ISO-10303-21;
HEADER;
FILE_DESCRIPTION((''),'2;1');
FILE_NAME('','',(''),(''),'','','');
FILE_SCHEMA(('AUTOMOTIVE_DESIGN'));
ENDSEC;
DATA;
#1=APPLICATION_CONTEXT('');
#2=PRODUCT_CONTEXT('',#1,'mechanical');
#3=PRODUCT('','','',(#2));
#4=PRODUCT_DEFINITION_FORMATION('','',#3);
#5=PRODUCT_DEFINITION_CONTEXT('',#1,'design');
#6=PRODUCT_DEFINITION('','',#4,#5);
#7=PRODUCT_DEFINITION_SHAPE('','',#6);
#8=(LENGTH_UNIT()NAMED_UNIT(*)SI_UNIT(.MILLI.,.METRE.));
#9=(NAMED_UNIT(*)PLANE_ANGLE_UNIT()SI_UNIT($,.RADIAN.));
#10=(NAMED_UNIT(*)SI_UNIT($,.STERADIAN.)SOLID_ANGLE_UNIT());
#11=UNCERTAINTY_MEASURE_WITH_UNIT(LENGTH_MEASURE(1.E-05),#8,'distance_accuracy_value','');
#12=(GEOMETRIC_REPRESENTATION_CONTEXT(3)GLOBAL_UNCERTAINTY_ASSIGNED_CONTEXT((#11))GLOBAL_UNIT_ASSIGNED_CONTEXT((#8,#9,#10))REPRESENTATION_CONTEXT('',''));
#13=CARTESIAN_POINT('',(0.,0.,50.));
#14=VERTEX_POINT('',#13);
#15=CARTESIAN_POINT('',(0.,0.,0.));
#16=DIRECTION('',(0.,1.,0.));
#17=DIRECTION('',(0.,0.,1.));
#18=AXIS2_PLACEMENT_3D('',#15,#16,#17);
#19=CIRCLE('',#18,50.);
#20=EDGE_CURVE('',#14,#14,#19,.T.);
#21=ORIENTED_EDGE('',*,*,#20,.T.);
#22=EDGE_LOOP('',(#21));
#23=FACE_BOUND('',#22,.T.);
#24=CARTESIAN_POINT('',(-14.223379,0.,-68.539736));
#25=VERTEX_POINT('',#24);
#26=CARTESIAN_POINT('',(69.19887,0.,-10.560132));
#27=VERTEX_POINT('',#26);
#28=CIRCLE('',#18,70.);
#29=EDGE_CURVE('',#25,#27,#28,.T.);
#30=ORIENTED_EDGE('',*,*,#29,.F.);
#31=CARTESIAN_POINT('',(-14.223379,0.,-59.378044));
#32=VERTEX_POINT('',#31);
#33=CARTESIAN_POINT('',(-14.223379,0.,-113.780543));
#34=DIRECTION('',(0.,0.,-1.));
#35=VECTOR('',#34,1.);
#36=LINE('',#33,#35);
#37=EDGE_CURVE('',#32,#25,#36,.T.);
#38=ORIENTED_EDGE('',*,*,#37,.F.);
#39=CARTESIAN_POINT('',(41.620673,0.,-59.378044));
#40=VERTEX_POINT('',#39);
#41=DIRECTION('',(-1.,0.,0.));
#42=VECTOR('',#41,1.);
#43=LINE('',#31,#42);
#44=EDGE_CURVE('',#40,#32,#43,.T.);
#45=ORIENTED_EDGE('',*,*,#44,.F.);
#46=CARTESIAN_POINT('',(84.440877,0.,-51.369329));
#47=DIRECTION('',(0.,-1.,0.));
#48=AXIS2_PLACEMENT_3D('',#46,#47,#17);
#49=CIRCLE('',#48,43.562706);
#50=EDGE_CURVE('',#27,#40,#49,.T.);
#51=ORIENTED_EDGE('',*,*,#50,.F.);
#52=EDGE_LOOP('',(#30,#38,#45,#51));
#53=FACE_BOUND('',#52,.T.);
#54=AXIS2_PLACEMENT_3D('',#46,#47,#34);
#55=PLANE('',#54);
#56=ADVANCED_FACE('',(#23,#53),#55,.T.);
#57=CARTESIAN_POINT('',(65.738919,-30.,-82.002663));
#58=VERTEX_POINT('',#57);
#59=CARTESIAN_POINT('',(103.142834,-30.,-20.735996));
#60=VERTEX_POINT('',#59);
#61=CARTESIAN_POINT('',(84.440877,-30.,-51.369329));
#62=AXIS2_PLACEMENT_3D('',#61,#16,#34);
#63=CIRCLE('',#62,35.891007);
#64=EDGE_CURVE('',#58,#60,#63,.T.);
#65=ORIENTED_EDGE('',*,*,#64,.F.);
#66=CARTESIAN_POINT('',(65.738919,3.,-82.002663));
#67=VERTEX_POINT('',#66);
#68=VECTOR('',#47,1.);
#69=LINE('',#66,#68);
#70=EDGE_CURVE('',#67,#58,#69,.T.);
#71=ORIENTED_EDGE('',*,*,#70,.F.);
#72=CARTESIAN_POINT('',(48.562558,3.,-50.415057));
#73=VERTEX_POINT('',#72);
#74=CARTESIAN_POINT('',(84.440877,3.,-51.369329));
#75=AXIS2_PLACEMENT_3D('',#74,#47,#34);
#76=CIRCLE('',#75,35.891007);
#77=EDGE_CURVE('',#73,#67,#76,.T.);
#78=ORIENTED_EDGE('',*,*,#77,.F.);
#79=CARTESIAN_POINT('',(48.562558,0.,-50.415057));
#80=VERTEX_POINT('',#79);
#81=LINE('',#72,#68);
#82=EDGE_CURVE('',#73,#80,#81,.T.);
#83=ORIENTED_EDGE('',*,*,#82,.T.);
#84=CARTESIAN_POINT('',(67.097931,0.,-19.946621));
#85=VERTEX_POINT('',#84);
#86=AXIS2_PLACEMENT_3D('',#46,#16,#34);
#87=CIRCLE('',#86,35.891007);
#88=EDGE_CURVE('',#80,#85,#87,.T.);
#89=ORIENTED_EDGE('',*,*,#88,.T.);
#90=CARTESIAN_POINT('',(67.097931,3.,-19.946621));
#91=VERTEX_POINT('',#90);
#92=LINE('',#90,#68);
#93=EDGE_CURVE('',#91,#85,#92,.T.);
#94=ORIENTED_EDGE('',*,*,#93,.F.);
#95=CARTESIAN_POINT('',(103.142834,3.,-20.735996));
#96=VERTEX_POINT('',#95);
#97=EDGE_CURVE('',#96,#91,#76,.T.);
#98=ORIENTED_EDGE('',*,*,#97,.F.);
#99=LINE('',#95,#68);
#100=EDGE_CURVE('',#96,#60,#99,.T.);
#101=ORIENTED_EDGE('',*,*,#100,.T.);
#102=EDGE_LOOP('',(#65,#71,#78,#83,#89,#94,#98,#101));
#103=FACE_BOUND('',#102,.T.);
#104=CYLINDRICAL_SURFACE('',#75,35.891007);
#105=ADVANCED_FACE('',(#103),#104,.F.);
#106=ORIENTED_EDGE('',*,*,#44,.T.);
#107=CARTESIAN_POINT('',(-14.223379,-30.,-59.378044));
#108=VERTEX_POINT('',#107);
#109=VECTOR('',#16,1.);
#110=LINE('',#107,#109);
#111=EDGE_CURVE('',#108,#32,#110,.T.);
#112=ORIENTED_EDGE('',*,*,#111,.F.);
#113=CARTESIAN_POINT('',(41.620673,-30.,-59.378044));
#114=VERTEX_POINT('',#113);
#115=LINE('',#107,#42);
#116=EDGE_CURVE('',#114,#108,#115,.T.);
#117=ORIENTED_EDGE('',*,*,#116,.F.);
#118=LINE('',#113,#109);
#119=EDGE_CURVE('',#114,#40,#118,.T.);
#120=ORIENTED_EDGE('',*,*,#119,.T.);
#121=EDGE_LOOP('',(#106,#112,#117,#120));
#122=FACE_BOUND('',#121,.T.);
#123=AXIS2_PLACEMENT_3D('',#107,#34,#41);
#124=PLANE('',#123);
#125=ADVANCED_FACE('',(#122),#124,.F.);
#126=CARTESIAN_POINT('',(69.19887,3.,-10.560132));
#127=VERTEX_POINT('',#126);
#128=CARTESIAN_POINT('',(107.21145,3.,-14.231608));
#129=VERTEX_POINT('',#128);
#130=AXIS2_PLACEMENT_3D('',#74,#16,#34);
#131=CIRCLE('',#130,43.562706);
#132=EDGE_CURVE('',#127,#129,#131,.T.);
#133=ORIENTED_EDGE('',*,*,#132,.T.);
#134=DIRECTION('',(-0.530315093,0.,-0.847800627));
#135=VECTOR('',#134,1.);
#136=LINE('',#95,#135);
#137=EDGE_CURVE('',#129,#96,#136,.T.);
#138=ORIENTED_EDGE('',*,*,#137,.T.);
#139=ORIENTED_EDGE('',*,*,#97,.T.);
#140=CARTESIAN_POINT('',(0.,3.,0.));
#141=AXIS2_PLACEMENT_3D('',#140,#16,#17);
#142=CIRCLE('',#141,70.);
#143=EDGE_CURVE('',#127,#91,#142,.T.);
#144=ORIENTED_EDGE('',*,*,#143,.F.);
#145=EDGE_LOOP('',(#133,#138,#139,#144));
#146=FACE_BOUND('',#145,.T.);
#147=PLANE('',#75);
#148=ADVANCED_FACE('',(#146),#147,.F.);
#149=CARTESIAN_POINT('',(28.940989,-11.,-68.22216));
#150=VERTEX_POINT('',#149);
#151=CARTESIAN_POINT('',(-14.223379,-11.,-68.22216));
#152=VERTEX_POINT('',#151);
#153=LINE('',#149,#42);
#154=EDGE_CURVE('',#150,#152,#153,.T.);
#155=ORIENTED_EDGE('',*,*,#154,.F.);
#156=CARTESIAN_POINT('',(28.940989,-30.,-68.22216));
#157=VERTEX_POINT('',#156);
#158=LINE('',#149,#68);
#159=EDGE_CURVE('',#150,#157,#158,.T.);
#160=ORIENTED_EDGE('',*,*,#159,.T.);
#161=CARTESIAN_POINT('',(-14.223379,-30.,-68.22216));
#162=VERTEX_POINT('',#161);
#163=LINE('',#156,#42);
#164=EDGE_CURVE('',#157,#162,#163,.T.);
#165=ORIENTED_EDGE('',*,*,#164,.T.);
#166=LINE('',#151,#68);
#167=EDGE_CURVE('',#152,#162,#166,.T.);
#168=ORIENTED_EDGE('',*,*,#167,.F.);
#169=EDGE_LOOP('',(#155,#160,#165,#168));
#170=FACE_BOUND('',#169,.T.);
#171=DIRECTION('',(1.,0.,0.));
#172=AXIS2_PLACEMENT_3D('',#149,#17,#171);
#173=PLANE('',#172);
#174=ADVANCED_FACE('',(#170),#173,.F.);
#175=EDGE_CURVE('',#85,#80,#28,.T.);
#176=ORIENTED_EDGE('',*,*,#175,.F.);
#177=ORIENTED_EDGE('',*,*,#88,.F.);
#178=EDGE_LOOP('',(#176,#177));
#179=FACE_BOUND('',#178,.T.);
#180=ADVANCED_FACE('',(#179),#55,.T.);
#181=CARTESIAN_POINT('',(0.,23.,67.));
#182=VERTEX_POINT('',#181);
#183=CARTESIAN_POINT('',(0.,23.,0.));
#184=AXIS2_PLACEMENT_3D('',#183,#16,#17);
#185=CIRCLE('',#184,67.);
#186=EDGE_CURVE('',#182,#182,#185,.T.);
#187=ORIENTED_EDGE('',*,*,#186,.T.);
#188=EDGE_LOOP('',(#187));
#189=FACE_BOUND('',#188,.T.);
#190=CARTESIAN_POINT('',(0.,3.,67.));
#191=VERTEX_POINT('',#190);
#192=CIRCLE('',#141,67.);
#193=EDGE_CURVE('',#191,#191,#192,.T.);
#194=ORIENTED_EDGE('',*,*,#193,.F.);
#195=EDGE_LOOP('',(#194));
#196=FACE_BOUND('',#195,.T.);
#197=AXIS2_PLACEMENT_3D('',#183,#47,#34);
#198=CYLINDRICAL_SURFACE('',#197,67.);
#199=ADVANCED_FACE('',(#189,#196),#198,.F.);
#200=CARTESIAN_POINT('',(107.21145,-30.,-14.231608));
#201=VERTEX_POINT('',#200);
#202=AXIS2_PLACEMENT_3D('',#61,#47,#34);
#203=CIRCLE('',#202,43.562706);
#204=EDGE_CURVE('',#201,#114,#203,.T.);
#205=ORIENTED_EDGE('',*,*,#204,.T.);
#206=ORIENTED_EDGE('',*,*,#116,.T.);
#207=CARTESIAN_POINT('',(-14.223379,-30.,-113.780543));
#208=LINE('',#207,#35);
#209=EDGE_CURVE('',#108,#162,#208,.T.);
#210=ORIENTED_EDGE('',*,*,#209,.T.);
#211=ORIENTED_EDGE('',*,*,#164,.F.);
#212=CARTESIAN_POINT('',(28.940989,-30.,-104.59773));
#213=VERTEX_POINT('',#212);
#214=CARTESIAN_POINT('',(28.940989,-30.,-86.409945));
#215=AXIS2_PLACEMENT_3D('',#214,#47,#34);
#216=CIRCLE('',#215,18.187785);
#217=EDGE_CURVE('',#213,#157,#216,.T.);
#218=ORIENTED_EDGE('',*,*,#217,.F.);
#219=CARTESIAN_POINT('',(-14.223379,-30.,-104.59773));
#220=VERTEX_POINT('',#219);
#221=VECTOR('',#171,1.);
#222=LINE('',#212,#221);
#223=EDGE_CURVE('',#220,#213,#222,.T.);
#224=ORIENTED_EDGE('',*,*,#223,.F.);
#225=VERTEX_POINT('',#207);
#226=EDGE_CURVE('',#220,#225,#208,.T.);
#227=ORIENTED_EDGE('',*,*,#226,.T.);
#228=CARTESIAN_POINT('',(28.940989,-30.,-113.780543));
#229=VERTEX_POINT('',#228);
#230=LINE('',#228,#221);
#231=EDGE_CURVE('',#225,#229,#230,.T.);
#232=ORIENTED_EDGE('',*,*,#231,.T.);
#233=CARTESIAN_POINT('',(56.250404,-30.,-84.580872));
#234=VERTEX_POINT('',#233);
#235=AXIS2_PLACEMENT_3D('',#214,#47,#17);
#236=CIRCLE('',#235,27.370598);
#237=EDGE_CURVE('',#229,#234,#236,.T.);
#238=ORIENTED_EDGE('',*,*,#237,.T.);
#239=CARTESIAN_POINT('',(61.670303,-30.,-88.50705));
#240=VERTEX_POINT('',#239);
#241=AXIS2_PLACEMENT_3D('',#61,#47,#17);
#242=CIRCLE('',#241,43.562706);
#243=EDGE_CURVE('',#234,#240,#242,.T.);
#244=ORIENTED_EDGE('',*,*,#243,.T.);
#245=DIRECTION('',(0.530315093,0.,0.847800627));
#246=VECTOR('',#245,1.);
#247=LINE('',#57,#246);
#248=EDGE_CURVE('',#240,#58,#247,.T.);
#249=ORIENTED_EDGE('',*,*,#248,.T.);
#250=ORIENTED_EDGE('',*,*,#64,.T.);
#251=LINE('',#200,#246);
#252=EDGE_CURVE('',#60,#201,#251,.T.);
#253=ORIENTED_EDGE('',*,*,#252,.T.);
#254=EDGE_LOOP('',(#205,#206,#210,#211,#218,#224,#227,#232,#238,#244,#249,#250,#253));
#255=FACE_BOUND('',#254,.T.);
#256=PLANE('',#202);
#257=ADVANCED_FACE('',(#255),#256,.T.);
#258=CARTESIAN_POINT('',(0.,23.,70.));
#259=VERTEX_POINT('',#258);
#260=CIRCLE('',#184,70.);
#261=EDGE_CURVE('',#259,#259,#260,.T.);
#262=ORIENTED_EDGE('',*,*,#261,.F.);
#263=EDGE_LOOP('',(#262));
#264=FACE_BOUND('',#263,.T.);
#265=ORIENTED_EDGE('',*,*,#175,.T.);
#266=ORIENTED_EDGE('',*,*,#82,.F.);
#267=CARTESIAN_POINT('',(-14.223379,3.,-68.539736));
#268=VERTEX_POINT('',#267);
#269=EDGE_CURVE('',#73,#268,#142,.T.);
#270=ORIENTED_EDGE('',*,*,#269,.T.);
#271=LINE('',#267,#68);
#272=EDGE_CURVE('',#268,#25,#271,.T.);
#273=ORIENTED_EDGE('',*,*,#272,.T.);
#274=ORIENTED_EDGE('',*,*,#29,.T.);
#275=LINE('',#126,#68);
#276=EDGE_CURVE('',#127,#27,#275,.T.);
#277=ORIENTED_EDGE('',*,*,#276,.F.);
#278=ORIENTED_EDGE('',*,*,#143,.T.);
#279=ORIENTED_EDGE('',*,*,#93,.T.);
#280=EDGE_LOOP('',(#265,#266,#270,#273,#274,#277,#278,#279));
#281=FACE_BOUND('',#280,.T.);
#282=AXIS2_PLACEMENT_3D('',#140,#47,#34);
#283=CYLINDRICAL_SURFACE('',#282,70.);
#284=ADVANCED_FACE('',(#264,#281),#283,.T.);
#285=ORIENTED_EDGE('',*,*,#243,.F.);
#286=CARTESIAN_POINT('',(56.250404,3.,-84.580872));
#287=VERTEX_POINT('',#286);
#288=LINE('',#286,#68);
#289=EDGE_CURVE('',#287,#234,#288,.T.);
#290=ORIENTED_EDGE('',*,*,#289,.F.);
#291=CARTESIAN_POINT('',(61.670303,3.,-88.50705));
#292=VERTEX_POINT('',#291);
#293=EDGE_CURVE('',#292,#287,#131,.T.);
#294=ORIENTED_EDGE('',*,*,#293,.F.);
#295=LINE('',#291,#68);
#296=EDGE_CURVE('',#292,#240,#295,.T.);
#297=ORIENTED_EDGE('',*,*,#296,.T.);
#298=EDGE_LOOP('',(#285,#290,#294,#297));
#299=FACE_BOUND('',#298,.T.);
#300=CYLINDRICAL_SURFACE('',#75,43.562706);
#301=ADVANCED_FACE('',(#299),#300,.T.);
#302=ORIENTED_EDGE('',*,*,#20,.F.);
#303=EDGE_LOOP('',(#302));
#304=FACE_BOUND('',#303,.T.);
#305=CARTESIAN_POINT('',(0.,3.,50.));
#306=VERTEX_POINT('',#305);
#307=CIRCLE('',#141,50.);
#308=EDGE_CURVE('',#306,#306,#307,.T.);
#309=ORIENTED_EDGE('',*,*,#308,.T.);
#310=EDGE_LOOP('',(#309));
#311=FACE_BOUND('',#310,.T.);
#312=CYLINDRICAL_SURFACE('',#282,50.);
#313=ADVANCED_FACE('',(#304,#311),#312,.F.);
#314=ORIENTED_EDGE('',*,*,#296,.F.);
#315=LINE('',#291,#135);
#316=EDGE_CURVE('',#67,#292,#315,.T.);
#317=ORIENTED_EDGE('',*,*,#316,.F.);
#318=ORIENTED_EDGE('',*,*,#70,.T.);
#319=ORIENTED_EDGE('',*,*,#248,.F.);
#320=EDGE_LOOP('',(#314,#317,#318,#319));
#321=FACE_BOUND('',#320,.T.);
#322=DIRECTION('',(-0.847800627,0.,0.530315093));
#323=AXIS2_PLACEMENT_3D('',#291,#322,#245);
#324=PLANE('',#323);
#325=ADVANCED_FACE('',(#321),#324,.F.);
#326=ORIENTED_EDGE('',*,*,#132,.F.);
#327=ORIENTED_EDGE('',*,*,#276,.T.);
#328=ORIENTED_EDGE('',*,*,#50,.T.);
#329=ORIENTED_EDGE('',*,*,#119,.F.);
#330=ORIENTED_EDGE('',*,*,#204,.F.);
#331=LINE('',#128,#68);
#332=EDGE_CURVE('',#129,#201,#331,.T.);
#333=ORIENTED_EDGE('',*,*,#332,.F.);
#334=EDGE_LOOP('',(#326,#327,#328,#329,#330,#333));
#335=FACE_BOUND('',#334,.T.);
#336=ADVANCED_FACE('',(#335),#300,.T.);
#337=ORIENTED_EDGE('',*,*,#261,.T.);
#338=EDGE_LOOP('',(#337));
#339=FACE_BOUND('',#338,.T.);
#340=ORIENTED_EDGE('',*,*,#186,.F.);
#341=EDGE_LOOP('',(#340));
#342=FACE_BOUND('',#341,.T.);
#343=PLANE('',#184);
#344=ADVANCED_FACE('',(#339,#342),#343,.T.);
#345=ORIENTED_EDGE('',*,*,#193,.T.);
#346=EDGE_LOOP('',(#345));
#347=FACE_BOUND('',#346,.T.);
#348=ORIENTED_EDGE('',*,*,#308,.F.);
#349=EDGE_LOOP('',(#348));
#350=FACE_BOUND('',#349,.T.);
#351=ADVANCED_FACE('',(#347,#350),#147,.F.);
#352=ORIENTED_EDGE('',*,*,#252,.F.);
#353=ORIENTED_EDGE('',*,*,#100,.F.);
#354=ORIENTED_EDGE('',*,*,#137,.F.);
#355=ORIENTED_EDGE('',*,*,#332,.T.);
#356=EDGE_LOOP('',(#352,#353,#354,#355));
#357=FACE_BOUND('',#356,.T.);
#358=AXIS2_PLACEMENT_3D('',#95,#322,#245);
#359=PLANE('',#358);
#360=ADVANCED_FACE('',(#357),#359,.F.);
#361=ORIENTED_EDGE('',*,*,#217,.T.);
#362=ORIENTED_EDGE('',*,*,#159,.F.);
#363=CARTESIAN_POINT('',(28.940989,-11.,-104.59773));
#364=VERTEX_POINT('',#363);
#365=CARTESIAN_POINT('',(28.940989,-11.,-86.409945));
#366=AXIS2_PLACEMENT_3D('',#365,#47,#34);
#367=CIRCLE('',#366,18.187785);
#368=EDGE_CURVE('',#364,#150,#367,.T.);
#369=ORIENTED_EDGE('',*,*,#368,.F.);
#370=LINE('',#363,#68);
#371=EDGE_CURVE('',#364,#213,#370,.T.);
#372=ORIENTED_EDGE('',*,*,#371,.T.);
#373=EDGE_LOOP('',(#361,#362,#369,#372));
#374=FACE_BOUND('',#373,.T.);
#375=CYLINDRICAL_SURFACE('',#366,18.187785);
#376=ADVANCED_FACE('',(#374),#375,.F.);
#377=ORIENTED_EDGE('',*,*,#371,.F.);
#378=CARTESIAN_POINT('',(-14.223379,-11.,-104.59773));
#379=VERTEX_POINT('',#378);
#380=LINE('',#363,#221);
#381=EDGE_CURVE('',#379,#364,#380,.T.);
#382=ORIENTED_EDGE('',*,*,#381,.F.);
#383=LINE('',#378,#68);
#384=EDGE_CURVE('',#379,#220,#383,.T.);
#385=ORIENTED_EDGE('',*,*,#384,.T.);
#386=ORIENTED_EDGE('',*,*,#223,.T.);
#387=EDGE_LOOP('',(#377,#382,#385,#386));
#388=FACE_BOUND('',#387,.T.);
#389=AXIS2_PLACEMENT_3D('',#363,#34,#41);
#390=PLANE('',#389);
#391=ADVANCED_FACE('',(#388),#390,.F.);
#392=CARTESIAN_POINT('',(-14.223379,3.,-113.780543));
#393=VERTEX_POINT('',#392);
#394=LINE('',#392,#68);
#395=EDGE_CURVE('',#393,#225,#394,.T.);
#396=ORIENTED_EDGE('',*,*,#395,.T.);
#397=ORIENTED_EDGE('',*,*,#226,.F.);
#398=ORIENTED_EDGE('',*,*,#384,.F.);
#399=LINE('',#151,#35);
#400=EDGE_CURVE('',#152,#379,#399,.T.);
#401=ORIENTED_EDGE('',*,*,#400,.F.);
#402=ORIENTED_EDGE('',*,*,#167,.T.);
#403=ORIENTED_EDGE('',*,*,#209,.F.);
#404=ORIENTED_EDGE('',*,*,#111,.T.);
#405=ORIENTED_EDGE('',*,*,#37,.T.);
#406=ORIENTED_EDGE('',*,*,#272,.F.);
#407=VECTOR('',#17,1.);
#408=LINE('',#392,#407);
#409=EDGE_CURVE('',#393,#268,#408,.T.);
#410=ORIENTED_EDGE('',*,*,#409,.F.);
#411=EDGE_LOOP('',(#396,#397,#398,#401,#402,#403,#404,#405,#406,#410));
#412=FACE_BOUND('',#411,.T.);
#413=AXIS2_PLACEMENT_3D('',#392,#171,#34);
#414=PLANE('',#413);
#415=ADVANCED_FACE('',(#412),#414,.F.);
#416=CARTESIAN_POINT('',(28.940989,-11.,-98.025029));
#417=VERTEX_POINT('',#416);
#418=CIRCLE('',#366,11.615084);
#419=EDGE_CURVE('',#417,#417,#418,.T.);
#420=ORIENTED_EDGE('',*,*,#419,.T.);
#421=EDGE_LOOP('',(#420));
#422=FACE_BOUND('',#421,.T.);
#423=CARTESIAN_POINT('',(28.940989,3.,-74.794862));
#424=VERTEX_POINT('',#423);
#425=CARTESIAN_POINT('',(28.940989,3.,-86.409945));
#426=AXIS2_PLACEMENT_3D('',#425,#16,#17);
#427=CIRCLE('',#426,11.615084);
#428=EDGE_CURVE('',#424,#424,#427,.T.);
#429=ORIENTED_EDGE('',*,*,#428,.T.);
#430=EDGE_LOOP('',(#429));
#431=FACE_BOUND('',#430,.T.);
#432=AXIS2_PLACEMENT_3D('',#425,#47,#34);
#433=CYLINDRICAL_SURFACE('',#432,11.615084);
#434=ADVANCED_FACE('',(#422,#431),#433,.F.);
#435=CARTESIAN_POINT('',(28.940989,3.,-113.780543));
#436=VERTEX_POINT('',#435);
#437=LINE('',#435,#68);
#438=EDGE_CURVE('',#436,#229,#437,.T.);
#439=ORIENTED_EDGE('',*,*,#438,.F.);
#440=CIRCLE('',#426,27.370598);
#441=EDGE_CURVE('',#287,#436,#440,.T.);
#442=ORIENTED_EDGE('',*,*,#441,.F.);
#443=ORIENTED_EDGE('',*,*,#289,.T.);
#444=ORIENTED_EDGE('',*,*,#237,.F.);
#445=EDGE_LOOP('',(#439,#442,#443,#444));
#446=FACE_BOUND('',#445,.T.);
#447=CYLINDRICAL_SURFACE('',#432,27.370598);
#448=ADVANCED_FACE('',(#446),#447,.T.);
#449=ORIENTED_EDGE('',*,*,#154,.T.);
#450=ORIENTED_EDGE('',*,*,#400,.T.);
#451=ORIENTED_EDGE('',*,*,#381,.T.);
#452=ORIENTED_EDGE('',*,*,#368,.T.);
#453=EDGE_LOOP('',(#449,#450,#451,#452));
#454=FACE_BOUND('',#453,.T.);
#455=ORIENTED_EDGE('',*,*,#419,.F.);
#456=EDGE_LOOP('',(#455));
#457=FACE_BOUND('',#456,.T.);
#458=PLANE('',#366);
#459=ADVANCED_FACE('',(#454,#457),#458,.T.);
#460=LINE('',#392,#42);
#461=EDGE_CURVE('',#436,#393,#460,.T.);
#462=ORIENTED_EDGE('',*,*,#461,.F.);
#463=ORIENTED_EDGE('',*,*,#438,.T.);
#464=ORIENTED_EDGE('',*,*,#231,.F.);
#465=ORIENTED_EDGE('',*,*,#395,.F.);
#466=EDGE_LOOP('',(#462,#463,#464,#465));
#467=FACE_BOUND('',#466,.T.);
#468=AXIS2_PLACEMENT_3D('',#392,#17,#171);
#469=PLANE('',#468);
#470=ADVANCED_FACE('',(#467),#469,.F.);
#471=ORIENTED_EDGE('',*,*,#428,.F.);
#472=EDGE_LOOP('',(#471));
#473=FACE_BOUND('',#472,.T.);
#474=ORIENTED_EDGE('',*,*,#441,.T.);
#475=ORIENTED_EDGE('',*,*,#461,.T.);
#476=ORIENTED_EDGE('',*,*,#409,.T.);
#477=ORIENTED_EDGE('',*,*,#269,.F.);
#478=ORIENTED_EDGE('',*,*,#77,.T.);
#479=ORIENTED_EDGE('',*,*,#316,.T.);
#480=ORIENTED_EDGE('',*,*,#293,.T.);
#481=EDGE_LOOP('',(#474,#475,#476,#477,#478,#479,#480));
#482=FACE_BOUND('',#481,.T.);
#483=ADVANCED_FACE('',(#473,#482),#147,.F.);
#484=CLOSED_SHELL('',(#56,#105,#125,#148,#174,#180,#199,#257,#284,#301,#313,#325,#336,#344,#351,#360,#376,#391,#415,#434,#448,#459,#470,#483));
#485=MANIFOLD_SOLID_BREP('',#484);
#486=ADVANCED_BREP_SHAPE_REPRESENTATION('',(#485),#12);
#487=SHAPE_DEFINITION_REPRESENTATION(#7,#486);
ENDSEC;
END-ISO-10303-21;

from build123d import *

# Parameters (mm, degrees)
SKETCH1_R           = 50
SKETCH1_R_2         = 11.615083761
BOSS_EXTRUDE1_DEPTH = 3
SKETCH2_R           = 70
SKETCH2_R_2         = 67
BOSS_EXTRUDE3_DEPTH = 20
SKETCH4_R           = 11.615083761
BOSS_EXTRUDE6_DEPTH = 30
CUT_EXTRUDE2_DEPTH  = 19


with BuildPart() as part:
    # Sketch1 → Boss-Extrude1 (new body)
    with BuildSketch(Plane(origin=(0, 0, 0), x_dir=(1, 0, 0), z_dir=(0, 1, 0))):
        with BuildLine():
            Line((61.670303131, 88.507050428), (65.738918694, 82.002662996))
            ThreePointArc((65.738918694, 82.002662996), (52.910005118, 68.514839013), (48.562558373, 50.415056524))
            ThreePointArc((48.562558373, 50.415056524), (59.803165171, 36.381058747), (67.097930635, 19.94662138))
            ThreePointArc((67.097930635, 19.94662138), (85.226692334, 15.486926368), (103.142834496, 20.735995847))
            Line((103.142834496, 20.735995847), (107.211450059, 14.231608415))
            ThreePointArc((107.211450059, 14.231608415), (88.628926733, 8.008407228), (69.198869979, 10.560132275))
            ThreePointArc((69.198869979, 10.560132275), (-39.949778038, -57.480563973), (-14.223379462, 68.539736479))
            Line((-14.223379462, 68.539736479), (-14.223379462, 113.780543001))
            Line((-14.223379462, 113.780543001), (28.94098919, 113.780543001))
            ThreePointArc((28.94098919, 113.780543001), (48.93114235, 105.106024988), (56.25040353, 84.580872081))
            ThreePointArc((56.25040353, 84.580872081), (58.884844334, 86.648197778), (61.670303131, 88.507050428))
        make_face()
        Circle(SKETCH1_R, mode=Mode.SUBTRACT)
        with Locations((28.94098919, 86.409945266)):
            Circle(SKETCH1_R_2, mode=Mode.SUBTRACT)
    extrude(amount=BOSS_EXTRUDE1_DEPTH)

    # Sketch2 → Boss-Extrude3 (add)
    with BuildSketch(Plane(origin=(0, 3, 0), x_dir=(1, 0, 0), z_dir=(0, 1, 0))):
        Circle(SKETCH2_R)
        Circle(SKETCH2_R_2, mode=Mode.SUBTRACT)
    extrude(amount=BOSS_EXTRUDE3_DEPTH)

    # Sketch4 → Boss-Extrude6 (add)
    with BuildSketch(Plane.XZ):
        with BuildLine():
            Line((107.211450059, -14.231608415), (103.142834496, -20.735995847))
            ThreePointArc((103.142834496, -20.735995847), (53.80754302, -32.66737152), (65.738918694, -82.002662996))
            Line((65.738918694, -82.002662996), (61.670303131, -88.507050428))
            ThreePointArc((61.670303131, -88.507050428), (58.884844334, -86.648197778), (56.25040353, -84.580872081))
            ThreePointArc((56.25040353, -84.580872081), (48.93114235, -105.106024988), (28.94098919, -113.780543001))
            Line((28.94098919, -113.780543001), (-14.223379462, -113.780543001))
            Line((-14.223379462, -113.780543001), (-14.223379462, -59.37804429))
            Line((-14.223379462, -59.37804429), (41.620673144, -59.37804429))
            ThreePointArc((41.620673144, -59.37804429), (46.511966871, -29.942543741), (69.198869979, -10.560132275))
            ThreePointArc((69.198869979, -10.560132275), (88.628926733, -8.008407228), (107.211450059, -14.231608415))
        make_face()
        with Locations((28.94098919, -86.409945266)):
            Circle(SKETCH4_R, mode=Mode.SUBTRACT)
    extrude(amount=BOSS_EXTRUDE6_DEPTH)

    # Sketch6 → Cut-Extrude2 (cut)
    with BuildSketch(Plane.XZ.offset(30)):
        with BuildLine():
            Line((28.94098919, -104.597730163), (-14.223379462, -104.597730163))
            Line((-14.223379462, -104.597730163), (-14.223379462, -68.222160369))
            Line((-14.223379462, -68.222160369), (28.94098919, -68.222160369))
            ThreePointArc((28.94098919, -68.222160369), (47.128774087, -86.409945266), (28.94098919, -104.597730163))
        make_face()
    extrude(amount=-CUT_EXTRUDE2_DEPTH, mode=Mode.SUBTRACT)


solid = part.part
